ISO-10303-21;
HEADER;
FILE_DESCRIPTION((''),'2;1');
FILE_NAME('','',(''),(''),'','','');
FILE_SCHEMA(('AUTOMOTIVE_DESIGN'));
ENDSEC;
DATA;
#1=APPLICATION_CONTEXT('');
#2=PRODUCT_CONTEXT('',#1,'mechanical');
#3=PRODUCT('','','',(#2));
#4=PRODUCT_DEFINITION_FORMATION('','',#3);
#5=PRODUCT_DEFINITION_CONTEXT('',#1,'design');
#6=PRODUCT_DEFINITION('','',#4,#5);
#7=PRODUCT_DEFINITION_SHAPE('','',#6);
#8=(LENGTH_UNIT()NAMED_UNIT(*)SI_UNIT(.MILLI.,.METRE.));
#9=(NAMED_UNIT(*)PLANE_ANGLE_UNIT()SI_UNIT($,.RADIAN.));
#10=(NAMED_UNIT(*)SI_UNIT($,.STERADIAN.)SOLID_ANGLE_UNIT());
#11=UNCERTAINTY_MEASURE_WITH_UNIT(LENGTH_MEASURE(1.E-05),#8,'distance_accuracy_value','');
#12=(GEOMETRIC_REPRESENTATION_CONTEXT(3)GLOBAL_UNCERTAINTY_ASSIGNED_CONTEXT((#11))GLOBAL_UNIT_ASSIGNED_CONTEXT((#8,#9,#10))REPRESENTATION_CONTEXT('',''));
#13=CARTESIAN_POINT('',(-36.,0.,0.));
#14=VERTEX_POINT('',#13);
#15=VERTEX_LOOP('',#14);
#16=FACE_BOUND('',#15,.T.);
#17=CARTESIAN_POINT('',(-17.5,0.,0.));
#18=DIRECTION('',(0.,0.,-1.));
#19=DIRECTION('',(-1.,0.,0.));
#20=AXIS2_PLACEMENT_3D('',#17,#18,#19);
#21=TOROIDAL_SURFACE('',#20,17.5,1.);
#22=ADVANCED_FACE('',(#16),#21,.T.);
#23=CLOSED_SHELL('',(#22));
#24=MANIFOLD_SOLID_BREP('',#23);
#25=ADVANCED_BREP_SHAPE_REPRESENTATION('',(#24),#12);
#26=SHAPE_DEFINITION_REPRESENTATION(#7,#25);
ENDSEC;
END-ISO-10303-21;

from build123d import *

# Parameters (mm, degrees)
SKICA1_R = 1


with BuildPart() as part:
    # Skica1 → Rotovat1 (revolve)
    with BuildSketch(Plane(origin=(0, 0, 0), x_dir=(1, 0, 0), z_dir=(0, 1, 0)), mode=Mode.PRIVATE) as rotovat1_sk:
        Circle(SKICA1_R)
    revolve(rotovat1_sk.sketch.rotate(Axis((-17.5, 0, -35.240383783), (0, 0, 1)), 180), axis=Axis((-17.5, 0, -35.240383783), (0, 0, 1)))


solid = part.part
